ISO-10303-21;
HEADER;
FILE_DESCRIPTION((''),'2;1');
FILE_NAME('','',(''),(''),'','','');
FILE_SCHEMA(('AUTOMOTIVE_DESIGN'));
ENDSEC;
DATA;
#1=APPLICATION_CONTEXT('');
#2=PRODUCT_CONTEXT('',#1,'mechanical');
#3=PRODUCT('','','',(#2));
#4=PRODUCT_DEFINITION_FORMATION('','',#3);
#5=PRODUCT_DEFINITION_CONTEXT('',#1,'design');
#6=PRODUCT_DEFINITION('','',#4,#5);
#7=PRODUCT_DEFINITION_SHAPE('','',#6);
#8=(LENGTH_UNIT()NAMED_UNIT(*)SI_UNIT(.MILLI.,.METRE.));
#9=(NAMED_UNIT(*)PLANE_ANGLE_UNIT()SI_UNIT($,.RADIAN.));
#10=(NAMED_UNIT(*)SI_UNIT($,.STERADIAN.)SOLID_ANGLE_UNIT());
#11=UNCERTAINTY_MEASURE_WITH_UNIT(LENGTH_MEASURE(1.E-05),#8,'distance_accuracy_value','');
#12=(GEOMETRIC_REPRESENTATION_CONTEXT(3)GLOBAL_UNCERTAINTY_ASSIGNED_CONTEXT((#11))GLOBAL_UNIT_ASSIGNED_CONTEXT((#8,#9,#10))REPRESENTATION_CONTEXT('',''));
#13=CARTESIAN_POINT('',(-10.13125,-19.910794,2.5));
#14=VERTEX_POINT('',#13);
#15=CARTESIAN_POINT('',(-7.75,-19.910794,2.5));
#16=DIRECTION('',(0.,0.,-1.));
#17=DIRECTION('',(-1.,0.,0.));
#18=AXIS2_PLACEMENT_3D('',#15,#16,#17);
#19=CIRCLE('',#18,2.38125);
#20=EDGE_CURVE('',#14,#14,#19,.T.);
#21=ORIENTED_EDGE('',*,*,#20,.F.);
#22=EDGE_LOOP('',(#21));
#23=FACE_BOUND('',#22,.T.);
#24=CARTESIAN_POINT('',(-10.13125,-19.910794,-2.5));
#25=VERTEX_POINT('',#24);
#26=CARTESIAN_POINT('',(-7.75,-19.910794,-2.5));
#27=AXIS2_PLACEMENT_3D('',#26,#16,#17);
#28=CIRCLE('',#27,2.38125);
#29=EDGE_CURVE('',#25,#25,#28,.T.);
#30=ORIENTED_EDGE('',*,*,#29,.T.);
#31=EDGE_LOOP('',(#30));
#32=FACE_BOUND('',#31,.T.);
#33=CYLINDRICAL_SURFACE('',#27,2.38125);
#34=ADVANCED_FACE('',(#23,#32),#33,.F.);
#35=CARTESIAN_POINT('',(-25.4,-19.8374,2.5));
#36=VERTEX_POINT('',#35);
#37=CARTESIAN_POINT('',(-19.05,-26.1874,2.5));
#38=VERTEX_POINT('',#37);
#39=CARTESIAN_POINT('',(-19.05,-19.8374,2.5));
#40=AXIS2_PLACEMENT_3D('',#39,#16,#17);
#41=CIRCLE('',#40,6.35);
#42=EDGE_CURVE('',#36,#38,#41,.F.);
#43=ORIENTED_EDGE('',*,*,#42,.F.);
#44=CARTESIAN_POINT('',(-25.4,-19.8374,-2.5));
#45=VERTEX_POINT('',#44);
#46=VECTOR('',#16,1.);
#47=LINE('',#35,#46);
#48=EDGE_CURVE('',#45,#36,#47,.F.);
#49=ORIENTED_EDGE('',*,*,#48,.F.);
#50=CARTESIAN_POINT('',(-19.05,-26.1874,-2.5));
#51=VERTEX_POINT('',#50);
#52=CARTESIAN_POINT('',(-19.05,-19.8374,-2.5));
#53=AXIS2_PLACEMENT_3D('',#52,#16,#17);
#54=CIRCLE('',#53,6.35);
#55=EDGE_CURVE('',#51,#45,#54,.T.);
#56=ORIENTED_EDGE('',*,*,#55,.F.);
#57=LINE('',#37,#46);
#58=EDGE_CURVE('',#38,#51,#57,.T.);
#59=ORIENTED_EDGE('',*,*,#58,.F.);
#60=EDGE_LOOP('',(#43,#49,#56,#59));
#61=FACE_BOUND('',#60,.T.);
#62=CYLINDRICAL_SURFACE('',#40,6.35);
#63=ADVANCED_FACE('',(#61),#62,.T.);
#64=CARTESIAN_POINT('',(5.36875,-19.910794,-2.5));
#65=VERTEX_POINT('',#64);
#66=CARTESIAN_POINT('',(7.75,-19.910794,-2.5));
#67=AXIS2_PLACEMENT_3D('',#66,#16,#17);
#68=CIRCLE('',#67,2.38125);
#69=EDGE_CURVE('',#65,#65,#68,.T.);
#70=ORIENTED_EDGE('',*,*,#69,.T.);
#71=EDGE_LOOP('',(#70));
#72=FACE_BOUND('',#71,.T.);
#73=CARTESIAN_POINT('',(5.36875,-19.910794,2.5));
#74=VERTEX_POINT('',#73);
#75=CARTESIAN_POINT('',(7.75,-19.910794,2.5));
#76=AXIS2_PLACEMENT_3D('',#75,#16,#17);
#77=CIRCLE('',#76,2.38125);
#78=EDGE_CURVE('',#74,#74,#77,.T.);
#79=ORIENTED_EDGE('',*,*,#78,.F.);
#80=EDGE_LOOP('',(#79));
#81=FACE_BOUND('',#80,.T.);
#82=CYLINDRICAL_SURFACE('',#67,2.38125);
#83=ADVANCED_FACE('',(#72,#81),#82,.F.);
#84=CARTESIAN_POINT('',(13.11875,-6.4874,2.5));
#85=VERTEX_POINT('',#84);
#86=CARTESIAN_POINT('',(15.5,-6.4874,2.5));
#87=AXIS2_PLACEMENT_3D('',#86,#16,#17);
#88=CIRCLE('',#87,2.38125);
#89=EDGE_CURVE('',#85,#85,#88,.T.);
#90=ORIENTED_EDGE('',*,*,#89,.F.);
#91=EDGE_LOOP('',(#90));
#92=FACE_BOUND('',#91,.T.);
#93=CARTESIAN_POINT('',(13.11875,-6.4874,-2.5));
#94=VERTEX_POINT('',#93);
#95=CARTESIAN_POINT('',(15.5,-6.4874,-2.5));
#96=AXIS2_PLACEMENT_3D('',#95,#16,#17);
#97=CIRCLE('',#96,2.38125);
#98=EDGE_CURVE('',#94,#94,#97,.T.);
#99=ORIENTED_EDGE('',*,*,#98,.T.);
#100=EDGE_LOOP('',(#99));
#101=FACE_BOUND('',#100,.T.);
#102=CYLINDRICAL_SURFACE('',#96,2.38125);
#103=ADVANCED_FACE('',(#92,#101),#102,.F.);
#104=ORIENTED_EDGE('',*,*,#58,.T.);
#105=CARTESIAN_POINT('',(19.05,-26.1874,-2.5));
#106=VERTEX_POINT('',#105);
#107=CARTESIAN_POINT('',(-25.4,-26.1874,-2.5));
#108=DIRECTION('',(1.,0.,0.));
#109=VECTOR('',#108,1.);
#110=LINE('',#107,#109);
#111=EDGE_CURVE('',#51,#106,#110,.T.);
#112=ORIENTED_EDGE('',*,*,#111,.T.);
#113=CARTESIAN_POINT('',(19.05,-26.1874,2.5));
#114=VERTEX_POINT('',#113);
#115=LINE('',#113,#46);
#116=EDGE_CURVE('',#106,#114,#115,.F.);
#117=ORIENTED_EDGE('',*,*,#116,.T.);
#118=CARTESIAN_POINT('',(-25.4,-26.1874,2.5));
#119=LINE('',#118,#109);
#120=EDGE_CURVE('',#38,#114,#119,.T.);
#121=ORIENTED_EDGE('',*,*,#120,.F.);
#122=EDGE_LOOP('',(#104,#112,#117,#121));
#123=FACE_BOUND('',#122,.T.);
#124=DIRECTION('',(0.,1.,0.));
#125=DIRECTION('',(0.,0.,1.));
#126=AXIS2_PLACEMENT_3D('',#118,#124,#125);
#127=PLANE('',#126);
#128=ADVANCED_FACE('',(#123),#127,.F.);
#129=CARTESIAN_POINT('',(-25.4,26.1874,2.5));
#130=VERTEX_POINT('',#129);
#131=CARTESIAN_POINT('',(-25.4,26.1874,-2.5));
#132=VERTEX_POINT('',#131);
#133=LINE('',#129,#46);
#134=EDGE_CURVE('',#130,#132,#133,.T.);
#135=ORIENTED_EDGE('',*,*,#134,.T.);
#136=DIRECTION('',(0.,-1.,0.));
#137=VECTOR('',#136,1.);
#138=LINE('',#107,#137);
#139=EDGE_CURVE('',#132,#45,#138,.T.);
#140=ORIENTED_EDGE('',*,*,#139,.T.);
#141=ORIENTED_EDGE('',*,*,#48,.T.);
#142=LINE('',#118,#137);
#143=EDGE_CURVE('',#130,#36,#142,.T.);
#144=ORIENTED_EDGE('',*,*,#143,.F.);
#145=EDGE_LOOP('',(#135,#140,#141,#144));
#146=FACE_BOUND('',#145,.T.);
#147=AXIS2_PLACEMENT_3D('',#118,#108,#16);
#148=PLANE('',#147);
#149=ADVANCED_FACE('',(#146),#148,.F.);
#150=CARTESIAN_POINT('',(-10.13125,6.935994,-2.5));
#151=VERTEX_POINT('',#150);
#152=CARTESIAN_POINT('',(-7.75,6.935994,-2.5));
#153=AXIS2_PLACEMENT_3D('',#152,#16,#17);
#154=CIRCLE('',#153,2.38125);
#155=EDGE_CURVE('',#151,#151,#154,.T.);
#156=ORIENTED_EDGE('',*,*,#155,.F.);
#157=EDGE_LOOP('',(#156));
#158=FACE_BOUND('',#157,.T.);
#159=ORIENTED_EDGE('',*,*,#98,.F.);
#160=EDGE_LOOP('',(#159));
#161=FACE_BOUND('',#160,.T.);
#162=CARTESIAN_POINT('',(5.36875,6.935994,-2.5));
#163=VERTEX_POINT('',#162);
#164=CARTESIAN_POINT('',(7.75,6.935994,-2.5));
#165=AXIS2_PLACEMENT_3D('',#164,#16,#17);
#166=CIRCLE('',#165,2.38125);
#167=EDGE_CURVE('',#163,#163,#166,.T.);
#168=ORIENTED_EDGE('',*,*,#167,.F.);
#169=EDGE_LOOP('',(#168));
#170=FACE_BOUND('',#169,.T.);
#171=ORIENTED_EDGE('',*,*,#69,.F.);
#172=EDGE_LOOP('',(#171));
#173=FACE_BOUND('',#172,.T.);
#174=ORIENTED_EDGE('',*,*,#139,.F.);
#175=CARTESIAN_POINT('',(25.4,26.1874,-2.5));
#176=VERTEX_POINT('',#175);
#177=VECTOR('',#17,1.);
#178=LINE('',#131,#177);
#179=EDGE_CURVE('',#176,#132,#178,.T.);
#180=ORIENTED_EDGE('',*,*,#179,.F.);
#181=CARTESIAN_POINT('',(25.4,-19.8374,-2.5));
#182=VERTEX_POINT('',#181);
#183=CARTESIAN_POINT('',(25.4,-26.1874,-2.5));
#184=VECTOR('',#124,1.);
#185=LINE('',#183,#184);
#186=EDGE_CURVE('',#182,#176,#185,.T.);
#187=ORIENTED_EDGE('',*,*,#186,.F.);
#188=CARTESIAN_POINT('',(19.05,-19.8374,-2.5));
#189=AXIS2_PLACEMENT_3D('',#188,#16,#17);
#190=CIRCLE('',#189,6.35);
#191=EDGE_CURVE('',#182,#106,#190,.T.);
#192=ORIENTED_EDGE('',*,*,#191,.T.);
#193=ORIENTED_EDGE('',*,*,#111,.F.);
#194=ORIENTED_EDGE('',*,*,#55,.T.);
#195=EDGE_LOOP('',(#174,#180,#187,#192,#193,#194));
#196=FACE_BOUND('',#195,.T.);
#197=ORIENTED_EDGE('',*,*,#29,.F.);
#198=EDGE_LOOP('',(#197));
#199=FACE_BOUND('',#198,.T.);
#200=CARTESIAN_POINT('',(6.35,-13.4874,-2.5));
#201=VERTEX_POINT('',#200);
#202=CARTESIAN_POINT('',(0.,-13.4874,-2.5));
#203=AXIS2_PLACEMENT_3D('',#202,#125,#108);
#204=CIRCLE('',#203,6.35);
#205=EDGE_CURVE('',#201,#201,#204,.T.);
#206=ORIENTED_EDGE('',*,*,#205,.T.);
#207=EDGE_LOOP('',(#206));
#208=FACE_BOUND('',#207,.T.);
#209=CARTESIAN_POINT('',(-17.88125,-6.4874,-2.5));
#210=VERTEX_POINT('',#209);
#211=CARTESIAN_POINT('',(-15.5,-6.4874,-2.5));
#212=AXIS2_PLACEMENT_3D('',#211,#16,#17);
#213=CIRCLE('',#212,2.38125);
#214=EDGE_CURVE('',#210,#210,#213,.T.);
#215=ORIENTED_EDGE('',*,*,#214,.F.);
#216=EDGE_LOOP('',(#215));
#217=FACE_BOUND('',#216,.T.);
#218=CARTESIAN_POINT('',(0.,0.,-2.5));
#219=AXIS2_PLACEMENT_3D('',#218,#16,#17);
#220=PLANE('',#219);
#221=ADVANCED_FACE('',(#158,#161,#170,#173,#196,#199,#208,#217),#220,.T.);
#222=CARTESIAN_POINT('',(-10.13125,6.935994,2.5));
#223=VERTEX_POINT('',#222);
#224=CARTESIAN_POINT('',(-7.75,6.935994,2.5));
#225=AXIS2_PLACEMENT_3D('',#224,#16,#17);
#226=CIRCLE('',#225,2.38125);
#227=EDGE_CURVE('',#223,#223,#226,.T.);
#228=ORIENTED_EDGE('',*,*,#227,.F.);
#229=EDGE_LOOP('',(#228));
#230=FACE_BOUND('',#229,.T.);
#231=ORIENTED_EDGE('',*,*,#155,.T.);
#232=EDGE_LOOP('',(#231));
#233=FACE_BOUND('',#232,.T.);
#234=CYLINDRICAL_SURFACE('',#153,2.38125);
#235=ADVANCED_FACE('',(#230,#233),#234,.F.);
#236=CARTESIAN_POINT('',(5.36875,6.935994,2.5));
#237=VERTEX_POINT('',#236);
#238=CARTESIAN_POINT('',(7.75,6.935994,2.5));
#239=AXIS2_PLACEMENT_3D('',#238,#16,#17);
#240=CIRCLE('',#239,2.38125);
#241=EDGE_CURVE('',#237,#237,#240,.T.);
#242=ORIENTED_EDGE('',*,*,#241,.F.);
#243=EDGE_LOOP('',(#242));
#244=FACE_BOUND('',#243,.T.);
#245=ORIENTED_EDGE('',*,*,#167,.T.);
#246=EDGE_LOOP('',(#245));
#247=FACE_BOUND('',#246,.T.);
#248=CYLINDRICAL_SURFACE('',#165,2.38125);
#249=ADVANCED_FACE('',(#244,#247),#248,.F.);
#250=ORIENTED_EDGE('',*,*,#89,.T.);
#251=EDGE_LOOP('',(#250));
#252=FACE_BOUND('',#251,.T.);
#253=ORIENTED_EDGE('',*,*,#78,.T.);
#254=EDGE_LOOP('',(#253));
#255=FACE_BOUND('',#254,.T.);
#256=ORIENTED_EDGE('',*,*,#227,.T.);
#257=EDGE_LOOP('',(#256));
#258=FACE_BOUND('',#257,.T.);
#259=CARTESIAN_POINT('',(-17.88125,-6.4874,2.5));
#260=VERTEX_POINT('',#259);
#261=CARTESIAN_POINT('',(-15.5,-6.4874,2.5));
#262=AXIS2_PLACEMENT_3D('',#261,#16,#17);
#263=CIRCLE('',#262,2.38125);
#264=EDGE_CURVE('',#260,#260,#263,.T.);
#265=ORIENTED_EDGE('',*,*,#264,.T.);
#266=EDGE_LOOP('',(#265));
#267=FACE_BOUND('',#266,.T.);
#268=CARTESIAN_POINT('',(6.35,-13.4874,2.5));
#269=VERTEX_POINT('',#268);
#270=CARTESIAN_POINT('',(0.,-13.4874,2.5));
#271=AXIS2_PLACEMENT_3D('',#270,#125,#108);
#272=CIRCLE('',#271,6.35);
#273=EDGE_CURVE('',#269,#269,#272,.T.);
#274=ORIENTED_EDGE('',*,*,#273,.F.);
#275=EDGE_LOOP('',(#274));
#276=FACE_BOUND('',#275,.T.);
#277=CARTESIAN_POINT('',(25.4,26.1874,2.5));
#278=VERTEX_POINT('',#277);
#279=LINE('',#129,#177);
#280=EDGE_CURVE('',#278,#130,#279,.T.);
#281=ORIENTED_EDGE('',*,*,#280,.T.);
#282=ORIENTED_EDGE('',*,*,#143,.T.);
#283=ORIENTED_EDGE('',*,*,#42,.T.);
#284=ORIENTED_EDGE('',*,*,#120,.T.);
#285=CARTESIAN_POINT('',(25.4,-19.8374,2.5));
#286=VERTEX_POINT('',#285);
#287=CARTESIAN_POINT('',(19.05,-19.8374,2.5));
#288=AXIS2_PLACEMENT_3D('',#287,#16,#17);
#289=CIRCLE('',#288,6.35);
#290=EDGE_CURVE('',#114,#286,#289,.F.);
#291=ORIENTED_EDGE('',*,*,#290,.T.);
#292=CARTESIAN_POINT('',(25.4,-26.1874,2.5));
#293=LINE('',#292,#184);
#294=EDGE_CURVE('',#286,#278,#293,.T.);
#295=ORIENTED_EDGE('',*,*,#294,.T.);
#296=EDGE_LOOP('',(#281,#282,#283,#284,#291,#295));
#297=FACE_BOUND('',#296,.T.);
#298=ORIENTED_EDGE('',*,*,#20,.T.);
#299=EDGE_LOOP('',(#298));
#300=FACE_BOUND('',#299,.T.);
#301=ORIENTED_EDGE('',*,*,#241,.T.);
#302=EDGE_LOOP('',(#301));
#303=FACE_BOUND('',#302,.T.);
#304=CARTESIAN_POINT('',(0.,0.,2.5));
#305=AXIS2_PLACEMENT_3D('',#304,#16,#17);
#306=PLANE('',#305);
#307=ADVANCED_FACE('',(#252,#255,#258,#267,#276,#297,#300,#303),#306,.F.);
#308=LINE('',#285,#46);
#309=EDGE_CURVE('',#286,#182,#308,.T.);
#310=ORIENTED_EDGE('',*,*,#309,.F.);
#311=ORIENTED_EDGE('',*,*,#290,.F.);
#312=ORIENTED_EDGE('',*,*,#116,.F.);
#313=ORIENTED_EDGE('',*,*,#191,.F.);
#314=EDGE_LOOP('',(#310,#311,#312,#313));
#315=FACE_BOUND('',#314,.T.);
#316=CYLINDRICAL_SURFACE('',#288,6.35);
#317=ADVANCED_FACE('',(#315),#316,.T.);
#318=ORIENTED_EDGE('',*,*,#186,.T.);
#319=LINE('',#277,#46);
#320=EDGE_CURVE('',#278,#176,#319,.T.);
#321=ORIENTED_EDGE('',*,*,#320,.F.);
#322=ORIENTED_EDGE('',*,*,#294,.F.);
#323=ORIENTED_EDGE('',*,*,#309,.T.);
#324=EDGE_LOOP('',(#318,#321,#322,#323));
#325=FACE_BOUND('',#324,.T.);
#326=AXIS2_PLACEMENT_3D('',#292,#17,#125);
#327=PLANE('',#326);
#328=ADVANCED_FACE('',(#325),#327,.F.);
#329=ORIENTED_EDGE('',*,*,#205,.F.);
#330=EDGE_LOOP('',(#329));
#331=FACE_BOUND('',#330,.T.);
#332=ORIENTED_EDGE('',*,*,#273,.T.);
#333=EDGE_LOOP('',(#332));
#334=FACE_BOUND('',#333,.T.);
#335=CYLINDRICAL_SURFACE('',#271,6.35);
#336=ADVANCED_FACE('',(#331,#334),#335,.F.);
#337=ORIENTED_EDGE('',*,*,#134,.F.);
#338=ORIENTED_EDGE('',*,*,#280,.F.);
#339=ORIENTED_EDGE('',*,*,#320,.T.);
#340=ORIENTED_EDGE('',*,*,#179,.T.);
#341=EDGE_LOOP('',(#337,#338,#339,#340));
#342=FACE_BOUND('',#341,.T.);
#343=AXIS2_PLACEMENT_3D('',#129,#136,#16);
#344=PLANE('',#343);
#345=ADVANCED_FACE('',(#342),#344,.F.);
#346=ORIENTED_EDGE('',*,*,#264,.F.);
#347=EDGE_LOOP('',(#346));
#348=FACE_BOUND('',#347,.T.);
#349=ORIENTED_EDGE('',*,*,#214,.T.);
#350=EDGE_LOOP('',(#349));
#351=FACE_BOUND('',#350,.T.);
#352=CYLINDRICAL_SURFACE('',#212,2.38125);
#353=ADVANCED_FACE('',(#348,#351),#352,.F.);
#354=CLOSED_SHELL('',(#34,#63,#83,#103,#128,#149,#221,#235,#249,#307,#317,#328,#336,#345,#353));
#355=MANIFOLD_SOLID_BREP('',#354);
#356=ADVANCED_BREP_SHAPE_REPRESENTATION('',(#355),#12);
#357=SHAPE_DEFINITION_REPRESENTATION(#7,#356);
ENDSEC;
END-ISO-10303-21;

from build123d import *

# Parameters (mm, degrees)
SKETCH1_W                      = 50.8
SKETCH1_H                      = 52.3748
BOSS_EXTRUDE1_DEPTH            = 2.5
F_1_2_0_5_DIAMETER_HOLE1_D     = 12.7
F_3_16_0_1875_DIAMETER_HOLE1_D = 4.7625
FILLET1_R                      = 6.35


with BuildPart() as part:
    # Sketch1 → Boss-Extrude1 (new, symmetric)
    with BuildSketch(Plane.XY):
        Rectangle(SKETCH1_W, SKETCH1_H)
    extrude(amount=BOSS_EXTRUDE1_DEPTH, both=True)

    # 1/2 (0.5) Diameter Hole1 (through all)
    with Locations(Plane.XY.offset(2.5)):
        with Locations((0, -13.4874)):
            Hole(F_1_2_0_5_DIAMETER_HOLE1_D / 2)

    # 3/16 (0.1875) Diameter Hole1 (through all)
    with Locations(Plane(origin=(0, 0, -2.5), x_dir=(-1, 0, 0), z_dir=(0, 0, -1))):
        with Locations((15.5, -6.4874), (7.75, 6.935993759), (-7.75, 6.935993759), (-15.5, -6.4874), (7.75, -19.910793759), (-7.75, -19.910793759)):
            Hole(F_3_16_0_1875_DIAMETER_HOLE1_D / 2)

    # Fillet1
    fillet1_edges = [part.edges().sort_by_distance(p)[0] for p in [
        (25.4, -26.1874, 0),
        (-25.4, -26.1874, 0),
    ]]
    fillet(fillet1_edges, radius=FILLET1_R)


solid = part.part
